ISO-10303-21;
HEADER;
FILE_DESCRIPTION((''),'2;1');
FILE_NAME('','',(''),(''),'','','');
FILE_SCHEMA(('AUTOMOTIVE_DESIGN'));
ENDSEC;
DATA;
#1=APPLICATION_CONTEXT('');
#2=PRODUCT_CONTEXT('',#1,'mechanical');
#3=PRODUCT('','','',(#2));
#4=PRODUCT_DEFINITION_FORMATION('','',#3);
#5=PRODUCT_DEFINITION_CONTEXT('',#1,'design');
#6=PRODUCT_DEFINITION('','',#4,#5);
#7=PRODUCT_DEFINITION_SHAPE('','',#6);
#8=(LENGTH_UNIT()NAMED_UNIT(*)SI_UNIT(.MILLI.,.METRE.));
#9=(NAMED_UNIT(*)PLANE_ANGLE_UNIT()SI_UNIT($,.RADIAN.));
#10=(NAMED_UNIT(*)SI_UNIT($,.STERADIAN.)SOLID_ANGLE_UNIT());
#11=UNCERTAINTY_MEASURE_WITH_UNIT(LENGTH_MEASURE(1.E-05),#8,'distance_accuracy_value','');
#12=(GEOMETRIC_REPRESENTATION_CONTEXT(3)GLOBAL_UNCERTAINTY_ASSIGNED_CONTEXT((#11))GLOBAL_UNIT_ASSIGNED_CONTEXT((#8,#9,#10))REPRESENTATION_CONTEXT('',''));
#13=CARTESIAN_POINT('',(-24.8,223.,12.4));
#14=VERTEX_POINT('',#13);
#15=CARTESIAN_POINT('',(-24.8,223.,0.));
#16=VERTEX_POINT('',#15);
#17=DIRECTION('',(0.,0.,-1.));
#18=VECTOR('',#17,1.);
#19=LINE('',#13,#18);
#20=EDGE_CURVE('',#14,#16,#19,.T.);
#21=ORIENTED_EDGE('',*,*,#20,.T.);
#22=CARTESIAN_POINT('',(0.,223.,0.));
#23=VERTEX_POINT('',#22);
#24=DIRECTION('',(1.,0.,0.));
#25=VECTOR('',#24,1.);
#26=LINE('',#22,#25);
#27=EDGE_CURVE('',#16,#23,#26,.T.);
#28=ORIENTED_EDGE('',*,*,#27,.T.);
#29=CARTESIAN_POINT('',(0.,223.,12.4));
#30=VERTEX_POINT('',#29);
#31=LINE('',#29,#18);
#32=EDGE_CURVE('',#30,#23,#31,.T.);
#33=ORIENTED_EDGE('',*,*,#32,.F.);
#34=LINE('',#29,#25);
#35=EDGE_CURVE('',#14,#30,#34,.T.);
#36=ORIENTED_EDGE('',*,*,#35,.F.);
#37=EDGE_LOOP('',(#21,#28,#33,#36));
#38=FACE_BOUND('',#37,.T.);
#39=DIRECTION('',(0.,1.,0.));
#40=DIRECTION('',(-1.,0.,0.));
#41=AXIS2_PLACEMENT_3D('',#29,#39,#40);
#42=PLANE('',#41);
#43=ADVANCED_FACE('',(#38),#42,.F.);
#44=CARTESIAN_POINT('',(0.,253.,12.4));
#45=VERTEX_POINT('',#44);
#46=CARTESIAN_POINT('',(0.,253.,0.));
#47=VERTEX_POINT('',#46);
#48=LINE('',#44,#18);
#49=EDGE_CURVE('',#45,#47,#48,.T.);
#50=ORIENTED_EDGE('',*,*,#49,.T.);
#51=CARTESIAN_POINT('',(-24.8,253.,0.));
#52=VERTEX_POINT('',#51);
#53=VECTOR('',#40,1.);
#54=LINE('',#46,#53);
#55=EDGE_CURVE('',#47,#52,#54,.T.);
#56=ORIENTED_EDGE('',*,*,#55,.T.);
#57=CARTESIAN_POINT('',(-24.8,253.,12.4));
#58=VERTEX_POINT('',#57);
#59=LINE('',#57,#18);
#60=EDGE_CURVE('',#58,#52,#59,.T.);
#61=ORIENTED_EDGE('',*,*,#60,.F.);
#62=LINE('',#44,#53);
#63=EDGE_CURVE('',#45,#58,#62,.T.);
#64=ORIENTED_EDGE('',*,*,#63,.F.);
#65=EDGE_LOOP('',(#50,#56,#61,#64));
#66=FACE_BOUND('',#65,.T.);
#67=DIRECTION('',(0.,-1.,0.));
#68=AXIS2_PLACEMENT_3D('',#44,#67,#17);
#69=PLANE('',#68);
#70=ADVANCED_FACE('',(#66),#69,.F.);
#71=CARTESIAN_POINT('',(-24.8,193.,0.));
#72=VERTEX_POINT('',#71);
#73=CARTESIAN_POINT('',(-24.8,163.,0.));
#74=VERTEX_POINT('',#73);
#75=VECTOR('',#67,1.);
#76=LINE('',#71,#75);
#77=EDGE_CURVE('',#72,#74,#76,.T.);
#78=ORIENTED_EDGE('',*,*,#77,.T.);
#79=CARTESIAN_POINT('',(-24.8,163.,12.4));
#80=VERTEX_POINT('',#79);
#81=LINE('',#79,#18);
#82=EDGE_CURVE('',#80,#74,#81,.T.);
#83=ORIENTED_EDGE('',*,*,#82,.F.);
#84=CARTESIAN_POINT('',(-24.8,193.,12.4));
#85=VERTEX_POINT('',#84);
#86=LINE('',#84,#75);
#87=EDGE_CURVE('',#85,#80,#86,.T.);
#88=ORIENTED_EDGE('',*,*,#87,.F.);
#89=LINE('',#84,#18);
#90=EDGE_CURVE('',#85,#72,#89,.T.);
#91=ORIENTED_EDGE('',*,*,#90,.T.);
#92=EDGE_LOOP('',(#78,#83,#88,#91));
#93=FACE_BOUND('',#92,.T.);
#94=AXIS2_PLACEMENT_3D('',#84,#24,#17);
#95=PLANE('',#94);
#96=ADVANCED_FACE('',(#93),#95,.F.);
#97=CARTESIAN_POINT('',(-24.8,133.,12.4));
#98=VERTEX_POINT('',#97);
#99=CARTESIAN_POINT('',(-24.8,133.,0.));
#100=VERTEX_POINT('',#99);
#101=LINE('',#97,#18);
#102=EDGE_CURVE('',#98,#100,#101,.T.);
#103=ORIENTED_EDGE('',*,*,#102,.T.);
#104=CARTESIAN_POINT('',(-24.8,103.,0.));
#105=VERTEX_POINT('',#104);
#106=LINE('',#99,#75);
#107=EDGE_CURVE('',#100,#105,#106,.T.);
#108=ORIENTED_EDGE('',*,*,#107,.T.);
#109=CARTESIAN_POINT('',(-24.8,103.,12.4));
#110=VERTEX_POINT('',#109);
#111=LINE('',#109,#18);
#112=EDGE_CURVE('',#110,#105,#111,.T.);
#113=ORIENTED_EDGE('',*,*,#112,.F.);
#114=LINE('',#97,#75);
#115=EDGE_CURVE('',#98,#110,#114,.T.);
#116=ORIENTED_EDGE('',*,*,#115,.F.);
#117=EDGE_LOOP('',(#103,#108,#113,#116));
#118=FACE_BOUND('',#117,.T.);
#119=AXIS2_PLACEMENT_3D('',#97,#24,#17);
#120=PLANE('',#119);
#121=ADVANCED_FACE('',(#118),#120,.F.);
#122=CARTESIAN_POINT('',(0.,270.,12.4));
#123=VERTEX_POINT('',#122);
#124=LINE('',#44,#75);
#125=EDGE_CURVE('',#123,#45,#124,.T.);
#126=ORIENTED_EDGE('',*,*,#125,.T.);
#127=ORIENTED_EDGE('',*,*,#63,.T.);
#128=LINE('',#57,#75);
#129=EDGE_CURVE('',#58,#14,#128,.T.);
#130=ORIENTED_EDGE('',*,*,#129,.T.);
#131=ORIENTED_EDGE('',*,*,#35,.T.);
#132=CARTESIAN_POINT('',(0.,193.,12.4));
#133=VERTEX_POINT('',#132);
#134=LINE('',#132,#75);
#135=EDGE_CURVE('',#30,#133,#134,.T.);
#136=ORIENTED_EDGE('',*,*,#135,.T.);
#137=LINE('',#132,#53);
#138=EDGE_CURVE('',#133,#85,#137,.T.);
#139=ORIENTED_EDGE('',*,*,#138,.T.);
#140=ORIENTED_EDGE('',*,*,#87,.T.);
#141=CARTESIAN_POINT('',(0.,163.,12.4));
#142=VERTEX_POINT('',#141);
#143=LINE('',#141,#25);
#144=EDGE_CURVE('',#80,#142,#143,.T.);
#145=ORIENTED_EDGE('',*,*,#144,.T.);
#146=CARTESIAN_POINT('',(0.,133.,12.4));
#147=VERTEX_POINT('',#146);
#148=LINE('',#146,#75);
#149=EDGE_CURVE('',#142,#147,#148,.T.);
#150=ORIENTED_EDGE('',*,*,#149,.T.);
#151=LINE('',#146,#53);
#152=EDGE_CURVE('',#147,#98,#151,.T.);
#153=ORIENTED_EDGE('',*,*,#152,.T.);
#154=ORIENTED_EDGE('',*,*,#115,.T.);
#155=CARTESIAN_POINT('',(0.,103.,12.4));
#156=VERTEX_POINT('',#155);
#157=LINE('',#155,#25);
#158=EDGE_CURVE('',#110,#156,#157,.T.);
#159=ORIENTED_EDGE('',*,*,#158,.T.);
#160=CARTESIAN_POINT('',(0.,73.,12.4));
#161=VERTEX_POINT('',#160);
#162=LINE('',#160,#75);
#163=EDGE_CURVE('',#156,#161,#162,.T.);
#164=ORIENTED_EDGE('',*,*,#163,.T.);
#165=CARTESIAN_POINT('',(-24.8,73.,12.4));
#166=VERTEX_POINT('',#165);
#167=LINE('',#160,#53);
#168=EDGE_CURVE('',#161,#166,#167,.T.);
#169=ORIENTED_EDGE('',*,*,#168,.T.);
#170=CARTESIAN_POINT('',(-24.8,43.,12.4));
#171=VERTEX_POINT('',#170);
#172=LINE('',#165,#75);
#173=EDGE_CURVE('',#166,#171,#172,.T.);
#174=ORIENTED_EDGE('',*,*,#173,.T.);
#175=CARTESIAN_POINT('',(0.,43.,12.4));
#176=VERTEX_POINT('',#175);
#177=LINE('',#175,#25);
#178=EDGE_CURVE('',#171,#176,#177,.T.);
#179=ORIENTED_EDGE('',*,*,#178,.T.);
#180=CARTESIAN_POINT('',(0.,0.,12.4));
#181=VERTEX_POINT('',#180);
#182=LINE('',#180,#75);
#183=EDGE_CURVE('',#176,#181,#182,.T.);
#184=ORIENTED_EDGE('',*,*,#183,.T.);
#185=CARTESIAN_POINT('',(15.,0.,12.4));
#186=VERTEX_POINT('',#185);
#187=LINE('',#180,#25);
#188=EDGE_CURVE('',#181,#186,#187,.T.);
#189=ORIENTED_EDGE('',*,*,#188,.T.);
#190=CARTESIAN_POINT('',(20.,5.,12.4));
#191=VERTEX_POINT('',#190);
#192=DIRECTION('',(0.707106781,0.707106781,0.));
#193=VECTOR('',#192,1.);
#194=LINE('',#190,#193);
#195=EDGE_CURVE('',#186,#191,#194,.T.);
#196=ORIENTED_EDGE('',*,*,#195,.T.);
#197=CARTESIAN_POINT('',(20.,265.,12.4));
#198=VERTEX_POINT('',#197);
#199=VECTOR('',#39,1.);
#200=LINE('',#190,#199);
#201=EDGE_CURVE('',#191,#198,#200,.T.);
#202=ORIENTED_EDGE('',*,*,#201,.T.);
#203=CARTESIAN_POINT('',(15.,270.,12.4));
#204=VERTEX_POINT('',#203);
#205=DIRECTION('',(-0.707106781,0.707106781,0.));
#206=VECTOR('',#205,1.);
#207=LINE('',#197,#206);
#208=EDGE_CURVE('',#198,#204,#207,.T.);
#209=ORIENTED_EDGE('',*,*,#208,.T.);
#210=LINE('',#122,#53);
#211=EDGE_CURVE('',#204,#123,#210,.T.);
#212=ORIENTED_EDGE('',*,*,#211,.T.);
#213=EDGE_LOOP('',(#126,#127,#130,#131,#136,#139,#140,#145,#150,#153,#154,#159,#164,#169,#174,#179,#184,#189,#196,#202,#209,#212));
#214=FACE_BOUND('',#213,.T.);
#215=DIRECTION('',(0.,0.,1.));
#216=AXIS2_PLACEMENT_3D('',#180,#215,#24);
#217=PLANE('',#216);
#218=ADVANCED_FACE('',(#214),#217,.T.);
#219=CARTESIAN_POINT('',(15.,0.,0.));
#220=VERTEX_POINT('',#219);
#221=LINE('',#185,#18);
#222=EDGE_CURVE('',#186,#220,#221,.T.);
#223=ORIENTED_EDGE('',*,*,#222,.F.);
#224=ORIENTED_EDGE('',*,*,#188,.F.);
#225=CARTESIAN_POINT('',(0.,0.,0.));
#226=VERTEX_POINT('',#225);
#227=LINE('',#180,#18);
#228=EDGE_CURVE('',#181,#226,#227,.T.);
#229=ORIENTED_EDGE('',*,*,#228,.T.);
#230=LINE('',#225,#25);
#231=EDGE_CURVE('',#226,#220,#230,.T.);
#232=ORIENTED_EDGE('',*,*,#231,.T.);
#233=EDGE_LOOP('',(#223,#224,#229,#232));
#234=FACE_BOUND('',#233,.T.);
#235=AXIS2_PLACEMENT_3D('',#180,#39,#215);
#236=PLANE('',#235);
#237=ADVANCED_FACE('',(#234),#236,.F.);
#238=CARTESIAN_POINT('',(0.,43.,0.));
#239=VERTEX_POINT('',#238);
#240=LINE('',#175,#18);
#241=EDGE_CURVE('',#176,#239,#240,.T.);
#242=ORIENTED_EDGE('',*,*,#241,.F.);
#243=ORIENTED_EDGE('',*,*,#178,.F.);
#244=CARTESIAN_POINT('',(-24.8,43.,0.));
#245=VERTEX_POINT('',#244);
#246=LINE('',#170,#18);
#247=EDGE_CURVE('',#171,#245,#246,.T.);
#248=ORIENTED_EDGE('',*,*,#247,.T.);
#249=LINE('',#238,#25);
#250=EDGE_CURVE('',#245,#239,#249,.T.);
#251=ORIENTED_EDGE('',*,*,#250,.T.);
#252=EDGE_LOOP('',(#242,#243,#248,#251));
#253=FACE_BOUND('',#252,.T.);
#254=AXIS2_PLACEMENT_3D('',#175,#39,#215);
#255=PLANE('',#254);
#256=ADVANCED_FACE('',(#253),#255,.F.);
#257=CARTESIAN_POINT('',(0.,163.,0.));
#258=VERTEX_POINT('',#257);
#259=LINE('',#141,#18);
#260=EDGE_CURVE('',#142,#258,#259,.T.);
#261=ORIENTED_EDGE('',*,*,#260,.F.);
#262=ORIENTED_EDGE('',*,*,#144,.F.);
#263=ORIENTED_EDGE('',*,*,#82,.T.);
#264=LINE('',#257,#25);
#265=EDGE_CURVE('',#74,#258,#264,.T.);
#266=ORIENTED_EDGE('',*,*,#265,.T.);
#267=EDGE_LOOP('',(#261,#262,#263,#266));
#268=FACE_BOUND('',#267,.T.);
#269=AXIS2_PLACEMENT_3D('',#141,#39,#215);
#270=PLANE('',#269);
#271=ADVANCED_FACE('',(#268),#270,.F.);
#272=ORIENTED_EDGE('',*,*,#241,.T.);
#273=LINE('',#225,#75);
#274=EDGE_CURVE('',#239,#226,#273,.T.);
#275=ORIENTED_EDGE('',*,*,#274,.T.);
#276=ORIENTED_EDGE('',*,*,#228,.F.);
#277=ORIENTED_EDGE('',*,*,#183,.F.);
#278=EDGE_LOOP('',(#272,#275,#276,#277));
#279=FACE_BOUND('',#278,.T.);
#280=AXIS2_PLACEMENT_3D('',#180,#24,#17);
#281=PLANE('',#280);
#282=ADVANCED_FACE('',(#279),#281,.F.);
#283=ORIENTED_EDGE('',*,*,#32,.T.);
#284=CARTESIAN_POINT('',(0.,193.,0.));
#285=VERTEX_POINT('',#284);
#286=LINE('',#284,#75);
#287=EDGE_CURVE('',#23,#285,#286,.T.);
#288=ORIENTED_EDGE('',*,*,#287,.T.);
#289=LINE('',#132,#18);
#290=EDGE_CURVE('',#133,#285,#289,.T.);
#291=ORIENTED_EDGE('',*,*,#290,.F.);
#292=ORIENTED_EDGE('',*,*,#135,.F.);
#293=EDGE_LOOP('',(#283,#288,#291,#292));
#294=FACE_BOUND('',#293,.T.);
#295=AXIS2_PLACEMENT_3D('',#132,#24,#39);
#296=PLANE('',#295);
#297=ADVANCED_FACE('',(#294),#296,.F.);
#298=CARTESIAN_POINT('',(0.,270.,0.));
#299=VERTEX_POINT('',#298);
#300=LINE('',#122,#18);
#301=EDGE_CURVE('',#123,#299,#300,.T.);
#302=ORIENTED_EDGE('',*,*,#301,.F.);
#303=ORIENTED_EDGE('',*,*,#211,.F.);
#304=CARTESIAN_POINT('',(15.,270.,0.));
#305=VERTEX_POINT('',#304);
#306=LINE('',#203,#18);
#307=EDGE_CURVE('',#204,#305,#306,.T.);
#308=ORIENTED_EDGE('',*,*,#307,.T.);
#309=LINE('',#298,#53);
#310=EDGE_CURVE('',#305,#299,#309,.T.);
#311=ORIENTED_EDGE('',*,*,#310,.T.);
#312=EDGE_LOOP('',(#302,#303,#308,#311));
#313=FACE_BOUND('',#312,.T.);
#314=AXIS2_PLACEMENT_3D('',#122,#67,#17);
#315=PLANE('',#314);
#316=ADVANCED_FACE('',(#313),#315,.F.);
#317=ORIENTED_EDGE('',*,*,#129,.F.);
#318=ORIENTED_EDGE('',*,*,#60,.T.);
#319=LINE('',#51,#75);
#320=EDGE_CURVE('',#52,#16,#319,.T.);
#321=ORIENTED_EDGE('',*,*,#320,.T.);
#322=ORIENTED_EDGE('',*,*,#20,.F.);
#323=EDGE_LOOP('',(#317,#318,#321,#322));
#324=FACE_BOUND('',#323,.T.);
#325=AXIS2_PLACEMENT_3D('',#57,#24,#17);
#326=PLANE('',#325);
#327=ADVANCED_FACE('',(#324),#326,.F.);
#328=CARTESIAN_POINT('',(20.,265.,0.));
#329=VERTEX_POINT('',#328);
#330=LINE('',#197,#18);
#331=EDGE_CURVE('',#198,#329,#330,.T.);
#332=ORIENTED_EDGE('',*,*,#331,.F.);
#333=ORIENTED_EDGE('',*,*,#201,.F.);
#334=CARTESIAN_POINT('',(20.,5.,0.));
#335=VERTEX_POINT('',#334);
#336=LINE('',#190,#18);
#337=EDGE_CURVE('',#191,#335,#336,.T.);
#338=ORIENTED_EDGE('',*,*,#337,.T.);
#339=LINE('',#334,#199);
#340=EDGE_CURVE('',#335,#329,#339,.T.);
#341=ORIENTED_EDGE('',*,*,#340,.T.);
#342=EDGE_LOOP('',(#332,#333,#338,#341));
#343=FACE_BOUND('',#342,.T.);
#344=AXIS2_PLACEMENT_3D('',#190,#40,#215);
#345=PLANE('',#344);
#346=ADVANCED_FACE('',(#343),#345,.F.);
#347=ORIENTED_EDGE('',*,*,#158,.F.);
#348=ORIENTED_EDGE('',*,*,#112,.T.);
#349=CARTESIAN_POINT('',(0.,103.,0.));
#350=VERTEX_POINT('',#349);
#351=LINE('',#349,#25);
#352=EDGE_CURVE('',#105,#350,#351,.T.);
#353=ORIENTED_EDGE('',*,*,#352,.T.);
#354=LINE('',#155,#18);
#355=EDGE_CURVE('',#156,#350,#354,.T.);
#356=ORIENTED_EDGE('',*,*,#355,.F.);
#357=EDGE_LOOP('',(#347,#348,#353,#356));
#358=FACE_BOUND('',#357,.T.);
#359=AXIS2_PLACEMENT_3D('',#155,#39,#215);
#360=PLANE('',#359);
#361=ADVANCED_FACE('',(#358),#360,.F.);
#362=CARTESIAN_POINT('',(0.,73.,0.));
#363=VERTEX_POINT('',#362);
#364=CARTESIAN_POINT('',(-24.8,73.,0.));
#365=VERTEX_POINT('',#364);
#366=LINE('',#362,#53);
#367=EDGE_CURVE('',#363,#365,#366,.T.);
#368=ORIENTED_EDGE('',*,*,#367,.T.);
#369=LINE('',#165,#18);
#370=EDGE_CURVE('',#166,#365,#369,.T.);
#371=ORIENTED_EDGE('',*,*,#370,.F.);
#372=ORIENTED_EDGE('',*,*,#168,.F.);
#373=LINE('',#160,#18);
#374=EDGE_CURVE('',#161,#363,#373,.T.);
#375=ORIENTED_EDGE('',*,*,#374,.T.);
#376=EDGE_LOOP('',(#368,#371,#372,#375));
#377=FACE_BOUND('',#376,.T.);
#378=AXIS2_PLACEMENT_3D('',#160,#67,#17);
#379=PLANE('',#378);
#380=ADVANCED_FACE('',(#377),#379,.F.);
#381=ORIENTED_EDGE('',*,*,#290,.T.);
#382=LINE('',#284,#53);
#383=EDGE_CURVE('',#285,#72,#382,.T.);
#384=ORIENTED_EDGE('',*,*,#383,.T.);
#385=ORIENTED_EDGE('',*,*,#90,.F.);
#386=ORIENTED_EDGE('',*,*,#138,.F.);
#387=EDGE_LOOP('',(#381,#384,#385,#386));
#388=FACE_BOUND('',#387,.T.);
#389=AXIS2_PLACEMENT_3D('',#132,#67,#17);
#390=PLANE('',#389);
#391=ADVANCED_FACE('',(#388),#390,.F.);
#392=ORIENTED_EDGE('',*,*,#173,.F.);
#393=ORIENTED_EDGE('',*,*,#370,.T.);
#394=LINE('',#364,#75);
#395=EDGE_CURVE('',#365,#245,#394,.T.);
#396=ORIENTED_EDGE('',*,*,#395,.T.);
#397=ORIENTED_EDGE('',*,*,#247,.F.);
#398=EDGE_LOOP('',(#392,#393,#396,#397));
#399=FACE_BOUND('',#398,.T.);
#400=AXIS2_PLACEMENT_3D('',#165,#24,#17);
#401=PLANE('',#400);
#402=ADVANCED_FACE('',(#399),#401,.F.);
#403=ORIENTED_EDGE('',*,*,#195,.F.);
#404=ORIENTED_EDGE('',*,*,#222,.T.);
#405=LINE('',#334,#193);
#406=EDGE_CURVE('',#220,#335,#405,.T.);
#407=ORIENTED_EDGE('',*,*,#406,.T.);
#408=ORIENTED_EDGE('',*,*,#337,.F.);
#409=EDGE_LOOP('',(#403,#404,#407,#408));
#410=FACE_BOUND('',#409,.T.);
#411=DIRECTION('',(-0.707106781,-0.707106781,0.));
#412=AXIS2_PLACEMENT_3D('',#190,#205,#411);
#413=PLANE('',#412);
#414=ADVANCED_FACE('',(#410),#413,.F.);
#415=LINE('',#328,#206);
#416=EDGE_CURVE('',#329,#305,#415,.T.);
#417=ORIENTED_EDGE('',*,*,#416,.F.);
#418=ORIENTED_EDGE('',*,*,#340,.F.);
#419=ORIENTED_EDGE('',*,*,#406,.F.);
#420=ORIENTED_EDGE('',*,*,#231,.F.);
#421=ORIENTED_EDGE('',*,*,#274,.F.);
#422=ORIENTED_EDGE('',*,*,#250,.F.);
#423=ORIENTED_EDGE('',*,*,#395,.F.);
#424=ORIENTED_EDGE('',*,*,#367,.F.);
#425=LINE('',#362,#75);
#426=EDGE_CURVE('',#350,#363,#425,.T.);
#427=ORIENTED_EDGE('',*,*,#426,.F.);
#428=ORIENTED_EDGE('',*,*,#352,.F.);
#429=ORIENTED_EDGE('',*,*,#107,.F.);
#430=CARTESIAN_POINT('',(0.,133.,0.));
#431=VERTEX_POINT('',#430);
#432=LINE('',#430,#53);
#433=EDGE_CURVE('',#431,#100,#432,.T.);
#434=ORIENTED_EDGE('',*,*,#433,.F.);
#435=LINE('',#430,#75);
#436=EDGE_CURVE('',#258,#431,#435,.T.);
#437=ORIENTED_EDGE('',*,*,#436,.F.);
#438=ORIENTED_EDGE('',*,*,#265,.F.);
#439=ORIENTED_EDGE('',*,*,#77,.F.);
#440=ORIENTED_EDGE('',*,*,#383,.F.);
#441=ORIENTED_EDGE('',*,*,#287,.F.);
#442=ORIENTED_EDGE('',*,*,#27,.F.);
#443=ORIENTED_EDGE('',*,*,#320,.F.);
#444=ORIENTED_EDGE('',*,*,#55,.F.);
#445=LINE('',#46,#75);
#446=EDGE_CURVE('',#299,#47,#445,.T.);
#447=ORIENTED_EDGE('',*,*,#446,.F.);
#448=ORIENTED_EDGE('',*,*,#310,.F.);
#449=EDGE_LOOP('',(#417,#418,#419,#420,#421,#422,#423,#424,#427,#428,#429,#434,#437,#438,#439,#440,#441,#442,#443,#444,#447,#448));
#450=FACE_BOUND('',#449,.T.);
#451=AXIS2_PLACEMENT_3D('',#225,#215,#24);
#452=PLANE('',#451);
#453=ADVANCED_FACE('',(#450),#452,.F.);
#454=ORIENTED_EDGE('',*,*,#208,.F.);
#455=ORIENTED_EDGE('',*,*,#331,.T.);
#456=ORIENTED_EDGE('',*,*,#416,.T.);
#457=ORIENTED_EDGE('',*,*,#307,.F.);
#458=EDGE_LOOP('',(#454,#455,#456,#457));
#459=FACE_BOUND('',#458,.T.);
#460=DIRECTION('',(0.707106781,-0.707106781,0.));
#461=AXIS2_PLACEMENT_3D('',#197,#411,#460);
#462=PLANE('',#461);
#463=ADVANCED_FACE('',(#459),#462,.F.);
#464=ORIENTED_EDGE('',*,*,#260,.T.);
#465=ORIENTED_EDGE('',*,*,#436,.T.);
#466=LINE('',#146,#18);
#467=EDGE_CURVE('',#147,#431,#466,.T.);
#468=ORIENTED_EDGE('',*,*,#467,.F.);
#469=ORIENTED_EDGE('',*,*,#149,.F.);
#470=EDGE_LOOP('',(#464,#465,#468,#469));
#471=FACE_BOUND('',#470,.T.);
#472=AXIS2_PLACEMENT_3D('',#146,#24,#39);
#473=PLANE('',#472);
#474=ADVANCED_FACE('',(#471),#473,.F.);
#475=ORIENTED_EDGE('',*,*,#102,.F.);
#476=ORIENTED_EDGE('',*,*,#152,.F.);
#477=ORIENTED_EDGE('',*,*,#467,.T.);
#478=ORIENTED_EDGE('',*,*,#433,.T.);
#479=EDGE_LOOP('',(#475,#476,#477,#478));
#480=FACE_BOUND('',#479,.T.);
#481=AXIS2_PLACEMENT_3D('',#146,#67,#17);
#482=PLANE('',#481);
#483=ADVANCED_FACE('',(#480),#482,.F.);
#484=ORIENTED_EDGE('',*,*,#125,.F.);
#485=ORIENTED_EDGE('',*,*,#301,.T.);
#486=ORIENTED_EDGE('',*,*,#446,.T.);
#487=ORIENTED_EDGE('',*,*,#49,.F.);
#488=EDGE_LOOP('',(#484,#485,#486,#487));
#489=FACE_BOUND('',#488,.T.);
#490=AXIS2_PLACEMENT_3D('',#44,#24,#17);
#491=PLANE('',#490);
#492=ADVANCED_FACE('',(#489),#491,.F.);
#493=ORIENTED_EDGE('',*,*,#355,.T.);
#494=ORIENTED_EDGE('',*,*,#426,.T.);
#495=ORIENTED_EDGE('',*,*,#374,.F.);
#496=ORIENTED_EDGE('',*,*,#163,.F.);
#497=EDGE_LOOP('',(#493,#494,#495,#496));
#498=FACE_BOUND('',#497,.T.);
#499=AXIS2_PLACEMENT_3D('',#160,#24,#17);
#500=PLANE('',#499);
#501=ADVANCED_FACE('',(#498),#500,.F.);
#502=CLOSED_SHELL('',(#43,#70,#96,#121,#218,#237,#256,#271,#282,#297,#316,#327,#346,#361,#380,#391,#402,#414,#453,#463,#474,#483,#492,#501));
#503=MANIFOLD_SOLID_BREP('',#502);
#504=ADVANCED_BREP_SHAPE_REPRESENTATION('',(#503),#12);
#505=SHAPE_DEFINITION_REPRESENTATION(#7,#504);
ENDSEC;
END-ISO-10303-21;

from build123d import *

# Parameters (mm, degrees)
BOSS_EXTRUDE1_DEPTH = 12.4


with BuildPart() as part:
    # Model → Boss-Extrude1 (new body)
    with BuildSketch(Plane.XY):
        Polygon((0, 193), (0, 223), (-24.8, 223), (-24.8, 253), (0, 253), (0, 270), (15, 270), (20, 265), (20, 5), (15, 0), (0, 0), (0, 43), (-24.8, 43), (-24.8, 73), (0, 73), (0, 103), (-24.8, 103), (-24.8, 133), (0, 133), (0, 163), (-24.8, 163), (-24.8, 193), align=None)
    extrude(amount=BOSS_EXTRUDE1_DEPTH)


solid = part.part
